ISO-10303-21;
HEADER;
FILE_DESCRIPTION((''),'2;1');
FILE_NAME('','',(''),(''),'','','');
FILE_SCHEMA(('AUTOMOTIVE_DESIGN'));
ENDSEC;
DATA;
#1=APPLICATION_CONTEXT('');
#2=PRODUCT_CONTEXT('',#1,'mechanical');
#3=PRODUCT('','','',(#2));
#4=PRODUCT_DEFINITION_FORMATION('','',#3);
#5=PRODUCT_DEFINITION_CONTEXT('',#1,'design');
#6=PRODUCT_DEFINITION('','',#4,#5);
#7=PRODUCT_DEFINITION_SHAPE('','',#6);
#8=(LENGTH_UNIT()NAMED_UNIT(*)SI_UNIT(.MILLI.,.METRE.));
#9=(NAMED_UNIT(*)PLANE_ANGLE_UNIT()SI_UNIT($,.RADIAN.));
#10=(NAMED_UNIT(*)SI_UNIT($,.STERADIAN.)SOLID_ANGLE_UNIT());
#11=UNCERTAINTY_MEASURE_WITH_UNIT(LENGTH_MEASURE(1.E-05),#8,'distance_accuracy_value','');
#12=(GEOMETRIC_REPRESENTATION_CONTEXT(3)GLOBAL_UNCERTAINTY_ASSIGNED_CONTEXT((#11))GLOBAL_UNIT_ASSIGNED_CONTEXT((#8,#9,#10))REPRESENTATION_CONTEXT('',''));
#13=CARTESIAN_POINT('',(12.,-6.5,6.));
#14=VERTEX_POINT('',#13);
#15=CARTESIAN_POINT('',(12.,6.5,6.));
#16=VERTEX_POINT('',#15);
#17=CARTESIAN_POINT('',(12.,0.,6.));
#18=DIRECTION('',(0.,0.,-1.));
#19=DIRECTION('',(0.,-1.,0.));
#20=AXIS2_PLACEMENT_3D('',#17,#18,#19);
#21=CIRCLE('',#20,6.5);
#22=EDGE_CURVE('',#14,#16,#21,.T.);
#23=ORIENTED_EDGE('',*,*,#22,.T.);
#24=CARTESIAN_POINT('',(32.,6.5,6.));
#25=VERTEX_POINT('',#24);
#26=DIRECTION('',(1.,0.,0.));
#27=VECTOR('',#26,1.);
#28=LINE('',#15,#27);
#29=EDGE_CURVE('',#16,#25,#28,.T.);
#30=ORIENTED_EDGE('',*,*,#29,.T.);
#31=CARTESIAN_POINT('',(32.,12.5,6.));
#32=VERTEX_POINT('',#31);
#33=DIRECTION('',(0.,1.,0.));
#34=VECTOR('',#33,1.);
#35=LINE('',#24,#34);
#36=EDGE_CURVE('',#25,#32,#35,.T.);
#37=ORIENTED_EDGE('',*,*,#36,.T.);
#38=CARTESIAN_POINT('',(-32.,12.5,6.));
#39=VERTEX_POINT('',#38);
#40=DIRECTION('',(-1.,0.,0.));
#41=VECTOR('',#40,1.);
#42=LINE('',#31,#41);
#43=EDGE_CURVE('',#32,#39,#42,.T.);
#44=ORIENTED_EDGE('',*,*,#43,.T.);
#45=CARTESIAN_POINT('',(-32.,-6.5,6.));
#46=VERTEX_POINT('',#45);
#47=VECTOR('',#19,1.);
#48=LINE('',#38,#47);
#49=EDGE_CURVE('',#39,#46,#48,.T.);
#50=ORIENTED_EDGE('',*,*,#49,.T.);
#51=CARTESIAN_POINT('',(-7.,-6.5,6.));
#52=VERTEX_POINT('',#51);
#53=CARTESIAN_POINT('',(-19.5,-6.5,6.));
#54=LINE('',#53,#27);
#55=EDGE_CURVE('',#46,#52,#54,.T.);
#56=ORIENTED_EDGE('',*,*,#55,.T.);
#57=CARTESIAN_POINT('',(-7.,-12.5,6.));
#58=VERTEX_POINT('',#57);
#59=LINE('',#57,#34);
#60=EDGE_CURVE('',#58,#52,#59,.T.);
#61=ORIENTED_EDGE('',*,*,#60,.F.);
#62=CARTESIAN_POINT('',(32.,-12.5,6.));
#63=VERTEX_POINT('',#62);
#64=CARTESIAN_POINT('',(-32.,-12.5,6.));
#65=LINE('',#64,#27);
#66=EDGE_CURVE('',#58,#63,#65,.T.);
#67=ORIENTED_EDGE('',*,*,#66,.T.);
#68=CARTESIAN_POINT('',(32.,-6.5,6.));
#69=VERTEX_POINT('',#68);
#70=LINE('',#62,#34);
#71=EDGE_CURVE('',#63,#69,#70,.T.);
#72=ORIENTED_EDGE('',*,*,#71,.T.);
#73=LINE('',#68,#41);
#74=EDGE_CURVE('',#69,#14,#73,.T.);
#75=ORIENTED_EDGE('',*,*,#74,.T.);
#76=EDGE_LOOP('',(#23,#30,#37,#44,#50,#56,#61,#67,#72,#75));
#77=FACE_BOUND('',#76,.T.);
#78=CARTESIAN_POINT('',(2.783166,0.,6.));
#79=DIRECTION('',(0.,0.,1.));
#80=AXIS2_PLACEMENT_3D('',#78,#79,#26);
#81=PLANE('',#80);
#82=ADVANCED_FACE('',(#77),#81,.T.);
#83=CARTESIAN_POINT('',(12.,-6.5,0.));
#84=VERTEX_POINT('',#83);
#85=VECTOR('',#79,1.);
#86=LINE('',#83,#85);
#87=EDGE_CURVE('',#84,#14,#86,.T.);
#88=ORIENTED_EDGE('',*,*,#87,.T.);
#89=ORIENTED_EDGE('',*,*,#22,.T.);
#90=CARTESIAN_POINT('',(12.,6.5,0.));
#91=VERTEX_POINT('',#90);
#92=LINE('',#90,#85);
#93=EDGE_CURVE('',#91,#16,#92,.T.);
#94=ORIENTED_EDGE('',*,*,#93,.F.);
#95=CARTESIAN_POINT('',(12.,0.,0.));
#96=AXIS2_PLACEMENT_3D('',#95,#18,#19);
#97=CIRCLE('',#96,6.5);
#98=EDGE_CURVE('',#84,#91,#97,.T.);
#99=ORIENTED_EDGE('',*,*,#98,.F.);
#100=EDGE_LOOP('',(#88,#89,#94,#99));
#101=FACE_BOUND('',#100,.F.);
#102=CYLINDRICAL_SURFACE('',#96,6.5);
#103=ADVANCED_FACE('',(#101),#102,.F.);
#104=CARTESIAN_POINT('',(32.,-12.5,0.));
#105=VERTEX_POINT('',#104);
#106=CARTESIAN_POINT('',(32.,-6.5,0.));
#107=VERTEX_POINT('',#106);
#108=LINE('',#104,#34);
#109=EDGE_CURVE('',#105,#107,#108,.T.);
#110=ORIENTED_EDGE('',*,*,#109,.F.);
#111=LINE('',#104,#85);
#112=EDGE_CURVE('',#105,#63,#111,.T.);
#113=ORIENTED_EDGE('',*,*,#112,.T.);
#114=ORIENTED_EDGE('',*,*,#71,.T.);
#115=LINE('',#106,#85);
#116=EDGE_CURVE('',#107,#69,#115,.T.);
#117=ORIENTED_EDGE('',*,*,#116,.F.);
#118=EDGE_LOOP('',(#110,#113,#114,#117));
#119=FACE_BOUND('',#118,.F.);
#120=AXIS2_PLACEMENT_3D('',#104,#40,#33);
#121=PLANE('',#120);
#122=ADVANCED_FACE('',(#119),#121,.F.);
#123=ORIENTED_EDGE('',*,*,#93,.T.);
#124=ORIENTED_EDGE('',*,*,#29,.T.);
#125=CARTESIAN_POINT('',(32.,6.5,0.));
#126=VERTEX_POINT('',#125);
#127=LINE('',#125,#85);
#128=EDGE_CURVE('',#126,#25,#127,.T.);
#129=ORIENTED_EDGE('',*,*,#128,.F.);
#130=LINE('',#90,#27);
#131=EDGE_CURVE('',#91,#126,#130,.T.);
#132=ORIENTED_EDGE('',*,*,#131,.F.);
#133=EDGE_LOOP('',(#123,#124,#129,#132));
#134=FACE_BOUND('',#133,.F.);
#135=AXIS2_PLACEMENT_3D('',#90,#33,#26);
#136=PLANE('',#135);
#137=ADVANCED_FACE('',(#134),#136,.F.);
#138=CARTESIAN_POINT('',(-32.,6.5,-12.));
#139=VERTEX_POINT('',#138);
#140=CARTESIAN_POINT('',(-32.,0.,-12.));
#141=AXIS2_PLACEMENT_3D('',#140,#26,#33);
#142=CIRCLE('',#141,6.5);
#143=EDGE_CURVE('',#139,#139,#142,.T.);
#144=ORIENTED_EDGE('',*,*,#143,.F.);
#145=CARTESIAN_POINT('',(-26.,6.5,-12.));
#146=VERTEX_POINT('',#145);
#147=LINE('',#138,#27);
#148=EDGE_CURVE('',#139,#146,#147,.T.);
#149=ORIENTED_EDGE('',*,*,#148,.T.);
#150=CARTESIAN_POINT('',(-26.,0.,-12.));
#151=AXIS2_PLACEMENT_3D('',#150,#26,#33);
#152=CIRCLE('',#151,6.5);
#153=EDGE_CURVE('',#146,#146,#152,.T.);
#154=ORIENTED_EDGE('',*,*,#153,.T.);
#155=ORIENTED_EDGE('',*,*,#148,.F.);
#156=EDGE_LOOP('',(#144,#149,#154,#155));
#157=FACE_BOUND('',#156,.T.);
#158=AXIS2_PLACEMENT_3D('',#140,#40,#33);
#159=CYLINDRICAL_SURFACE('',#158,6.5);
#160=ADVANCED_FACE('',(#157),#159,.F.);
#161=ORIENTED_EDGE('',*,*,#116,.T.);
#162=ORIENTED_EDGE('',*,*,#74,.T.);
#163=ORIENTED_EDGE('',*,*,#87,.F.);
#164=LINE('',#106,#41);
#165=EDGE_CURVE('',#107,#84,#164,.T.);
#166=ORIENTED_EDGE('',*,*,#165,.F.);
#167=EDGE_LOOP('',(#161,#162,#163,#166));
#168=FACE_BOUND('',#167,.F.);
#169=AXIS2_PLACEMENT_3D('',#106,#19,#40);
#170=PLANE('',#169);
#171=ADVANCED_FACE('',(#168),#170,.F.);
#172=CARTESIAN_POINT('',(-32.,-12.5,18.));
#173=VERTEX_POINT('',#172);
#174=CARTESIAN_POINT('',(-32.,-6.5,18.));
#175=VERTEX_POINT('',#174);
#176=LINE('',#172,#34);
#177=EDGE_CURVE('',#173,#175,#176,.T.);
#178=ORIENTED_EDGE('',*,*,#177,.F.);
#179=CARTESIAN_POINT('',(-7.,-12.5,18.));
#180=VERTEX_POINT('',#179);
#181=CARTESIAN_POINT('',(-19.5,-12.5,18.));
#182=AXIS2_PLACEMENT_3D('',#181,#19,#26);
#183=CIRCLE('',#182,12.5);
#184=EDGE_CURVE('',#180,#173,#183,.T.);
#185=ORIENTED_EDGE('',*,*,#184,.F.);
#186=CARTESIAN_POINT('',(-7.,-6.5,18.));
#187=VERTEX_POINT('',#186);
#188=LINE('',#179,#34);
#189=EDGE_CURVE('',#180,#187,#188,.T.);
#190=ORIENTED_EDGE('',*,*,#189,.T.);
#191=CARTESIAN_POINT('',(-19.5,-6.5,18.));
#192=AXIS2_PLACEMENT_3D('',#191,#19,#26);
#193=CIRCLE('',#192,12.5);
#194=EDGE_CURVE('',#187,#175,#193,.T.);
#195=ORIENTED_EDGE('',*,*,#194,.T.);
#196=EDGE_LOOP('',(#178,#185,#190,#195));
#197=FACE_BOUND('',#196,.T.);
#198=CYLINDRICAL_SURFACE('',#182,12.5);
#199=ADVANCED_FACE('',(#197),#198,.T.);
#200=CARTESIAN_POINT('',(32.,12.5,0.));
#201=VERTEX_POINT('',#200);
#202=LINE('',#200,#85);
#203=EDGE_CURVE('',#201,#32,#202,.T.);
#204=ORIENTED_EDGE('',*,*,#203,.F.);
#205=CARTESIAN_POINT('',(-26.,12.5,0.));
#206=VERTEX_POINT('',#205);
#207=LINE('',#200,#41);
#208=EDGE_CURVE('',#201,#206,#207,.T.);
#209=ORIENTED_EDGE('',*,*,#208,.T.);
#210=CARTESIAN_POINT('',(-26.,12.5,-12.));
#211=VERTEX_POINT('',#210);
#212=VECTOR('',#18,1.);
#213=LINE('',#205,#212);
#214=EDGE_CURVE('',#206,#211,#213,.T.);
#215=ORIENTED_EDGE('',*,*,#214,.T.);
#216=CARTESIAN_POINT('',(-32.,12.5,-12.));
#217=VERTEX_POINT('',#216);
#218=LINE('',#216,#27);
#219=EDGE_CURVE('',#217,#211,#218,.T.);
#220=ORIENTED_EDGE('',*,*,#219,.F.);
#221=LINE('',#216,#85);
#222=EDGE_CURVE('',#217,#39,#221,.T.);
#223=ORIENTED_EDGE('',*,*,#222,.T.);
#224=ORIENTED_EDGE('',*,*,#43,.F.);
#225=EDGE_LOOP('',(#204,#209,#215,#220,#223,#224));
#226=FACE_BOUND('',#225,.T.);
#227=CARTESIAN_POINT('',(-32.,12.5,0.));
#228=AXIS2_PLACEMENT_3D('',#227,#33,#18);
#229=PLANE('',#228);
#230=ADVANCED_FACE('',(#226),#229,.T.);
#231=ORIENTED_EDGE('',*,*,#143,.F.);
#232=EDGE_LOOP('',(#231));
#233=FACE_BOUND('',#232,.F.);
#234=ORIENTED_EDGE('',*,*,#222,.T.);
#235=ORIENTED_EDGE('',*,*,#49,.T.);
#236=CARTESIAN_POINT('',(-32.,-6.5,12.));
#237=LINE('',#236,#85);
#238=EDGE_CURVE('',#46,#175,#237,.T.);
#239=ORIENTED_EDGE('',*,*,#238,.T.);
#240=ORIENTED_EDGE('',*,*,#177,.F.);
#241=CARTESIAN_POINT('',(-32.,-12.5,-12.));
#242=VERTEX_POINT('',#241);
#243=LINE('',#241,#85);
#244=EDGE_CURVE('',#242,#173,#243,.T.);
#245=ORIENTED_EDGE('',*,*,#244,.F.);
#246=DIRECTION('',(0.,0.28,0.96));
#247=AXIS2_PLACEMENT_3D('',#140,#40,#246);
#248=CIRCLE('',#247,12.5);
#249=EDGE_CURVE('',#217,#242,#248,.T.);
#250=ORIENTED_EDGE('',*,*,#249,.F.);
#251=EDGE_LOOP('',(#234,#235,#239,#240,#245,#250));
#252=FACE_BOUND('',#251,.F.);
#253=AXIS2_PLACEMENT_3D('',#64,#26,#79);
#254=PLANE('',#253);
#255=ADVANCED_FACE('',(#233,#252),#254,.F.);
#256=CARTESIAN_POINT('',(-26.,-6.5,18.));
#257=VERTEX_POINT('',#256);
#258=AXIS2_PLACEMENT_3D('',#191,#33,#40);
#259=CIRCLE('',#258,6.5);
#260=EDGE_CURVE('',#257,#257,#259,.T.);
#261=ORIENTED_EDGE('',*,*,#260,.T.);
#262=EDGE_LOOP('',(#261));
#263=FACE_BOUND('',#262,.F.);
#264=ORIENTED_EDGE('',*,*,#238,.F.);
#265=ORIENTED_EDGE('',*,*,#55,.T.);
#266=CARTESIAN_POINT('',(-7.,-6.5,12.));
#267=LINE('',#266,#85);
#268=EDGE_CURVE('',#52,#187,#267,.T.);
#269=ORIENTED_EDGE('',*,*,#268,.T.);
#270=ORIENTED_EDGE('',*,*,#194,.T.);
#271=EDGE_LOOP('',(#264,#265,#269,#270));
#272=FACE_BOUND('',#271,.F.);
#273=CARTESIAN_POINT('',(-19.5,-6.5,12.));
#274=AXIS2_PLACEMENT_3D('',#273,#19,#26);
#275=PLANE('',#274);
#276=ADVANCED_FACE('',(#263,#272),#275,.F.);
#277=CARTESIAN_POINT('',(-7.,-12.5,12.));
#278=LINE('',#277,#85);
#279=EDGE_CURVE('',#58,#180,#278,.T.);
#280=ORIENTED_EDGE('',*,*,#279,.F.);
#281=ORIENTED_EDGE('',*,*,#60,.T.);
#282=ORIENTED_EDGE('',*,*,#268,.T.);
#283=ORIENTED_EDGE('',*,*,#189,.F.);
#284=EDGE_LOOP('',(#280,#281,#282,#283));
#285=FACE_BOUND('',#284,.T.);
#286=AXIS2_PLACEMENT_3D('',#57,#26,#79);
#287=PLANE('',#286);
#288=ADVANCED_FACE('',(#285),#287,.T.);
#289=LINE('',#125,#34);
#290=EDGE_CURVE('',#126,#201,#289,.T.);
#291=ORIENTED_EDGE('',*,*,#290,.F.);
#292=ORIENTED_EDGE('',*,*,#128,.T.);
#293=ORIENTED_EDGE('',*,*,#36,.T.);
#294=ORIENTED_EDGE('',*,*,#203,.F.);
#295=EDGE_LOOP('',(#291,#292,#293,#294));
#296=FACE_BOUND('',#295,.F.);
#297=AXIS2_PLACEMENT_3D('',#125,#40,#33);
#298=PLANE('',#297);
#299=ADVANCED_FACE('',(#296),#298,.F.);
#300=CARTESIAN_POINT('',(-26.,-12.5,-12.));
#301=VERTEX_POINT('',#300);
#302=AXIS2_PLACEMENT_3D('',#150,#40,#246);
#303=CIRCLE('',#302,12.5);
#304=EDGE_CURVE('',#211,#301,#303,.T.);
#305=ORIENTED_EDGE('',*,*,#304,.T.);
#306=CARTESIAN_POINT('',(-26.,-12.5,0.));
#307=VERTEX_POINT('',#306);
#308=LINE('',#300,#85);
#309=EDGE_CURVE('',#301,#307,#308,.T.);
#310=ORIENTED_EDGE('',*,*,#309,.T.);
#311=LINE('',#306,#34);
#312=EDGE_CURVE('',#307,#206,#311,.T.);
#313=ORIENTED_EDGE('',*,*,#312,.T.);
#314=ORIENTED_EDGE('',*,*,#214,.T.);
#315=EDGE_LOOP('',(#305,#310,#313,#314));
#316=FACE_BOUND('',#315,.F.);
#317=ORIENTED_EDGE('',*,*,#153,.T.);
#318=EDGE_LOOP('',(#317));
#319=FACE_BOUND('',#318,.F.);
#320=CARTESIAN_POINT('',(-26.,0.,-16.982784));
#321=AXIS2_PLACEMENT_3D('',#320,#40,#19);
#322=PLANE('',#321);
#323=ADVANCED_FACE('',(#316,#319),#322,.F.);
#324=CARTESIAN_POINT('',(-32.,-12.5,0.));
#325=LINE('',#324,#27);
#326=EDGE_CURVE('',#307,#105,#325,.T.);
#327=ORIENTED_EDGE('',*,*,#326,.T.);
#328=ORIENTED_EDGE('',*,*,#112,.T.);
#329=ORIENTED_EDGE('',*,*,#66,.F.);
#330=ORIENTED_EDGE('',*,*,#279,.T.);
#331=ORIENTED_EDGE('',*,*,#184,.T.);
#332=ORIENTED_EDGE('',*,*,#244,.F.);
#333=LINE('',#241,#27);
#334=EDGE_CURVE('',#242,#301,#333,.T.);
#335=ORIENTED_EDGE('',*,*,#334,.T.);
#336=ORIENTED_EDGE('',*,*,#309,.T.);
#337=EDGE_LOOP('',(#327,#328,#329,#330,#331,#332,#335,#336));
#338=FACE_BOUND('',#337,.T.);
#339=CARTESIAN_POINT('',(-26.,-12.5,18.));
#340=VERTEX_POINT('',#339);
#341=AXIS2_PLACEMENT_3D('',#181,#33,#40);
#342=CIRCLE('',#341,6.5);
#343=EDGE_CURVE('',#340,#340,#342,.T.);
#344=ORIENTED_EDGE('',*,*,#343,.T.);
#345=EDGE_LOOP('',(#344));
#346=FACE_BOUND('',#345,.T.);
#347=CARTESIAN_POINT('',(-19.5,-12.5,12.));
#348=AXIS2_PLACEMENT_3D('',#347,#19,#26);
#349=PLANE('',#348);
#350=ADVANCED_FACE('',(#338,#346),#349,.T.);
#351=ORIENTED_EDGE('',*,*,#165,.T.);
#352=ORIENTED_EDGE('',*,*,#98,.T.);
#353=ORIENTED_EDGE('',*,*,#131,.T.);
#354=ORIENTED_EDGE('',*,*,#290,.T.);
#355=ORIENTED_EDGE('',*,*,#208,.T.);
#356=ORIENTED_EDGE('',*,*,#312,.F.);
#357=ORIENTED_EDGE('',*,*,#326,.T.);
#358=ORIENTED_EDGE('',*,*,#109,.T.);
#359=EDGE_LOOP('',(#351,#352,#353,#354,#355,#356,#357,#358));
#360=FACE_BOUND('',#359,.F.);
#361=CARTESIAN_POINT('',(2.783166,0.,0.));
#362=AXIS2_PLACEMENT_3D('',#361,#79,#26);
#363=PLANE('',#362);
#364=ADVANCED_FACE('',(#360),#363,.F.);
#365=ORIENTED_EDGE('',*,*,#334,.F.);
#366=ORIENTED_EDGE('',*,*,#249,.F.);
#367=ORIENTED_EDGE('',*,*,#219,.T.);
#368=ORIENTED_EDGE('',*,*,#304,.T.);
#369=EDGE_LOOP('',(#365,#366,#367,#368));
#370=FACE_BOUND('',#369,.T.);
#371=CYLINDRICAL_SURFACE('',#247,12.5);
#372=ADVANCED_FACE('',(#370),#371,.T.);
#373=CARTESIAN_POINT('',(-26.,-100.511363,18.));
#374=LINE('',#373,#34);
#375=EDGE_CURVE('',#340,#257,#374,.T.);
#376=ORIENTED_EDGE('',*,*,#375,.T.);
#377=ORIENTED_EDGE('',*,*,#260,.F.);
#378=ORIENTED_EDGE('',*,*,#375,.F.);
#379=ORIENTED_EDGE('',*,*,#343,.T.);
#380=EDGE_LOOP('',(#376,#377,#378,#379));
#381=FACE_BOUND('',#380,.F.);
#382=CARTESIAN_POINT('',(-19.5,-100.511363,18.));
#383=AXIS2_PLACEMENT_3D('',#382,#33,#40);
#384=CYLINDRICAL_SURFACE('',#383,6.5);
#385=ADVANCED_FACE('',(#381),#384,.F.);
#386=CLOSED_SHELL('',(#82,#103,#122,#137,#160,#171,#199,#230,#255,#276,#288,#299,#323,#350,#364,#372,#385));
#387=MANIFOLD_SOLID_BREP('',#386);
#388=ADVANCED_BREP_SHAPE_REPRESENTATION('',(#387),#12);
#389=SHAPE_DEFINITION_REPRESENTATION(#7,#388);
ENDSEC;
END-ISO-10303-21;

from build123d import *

# Parameters (mm, degrees)
F1_DEPTH = 6
F3_DEPTH = 6
F4_W     = 25
F4_H     = 12
F5_DEPTH = 6
F6_D     = 13


with BuildPart() as f1:
    # F0 (on Top) → F1 (new body)
    with BuildSketch(Plane.XY):
        with BuildLine():
            Line((-32, -12.5), (32, -12.5))
            Line((32, -12.5), (32, -6.5))
            Line((32, -6.5), (12, -6.5))
            ThreePointArc((12, -6.5), (5.5, 0), (12, 6.5))
            Line((12, 6.5), (32, 6.5))
            Line((32, 6.5), (32, 12.5))
            Line((32, 12.5), (-32, 12.5))
            Line((-32, 12.5), (-32, -12.5))
        make_face()
    extrude(amount=F1_DEPTH)

    # F2 (on face) → F3 (join)
    with BuildSketch(Plane(origin=(-32, 0, 0), x_dir=(0, -1, 0), z_dir=(-1, 0, 0))):
        with BuildLine():
            ThreePointArc((-12.5, -12), (0, -24.5), (12.5, -12))
            Line((12.5, -12), (6.5, -12))
            ThreePointArc((6.5, -12), (0, -18.5), (-6.5, -12))
            Line((-6.5, -12), (-12.5, -12))
        make_face()
        with BuildLine():
            Line((6.5, -12), (12.5, -12))
            ThreePointArc((12.5, -12), (10, -4.5), (3.5, 0))
            Line((3.5, 0), (-3.5, 0))
            ThreePointArc((-3.5, 0), (-10, -4.5), (-12.5, -12))
            Line((-12.5, -12), (-6.5, -12))
            ThreePointArc((-6.5, -12), (0, -5.5), (6.5, -12))
        make_face()
        with BuildLine():
            Line((12.5, -12), (12.5, 0))
            Line((12.5, 0), (3.5, 0))
            ThreePointArc((3.5, 0), (10, -4.5), (12.5, -12))
        make_face()
        with BuildLine():
            Line((-3.5, 0), (-12.5, 0))
            Line((-12.5, 0), (-12.5, -12))
            ThreePointArc((-12.5, -12), (-10, -4.5), (-3.5, 0))
        make_face()
    extrude(amount=-F3_DEPTH)

    # F4 (on face) → F5 (join)
    with BuildSketch(Plane.XZ.offset(12.5)):
        with Locations((-19.5, 12)):
            Rectangle(F4_W, F4_H)
        with BuildLine():
            ThreePointArc((-7, 18), (-19.5, 30.5), (-32, 18))
            Line((-32, 18), (-7, 18))
        make_face()
    extrude(amount=-F5_DEPTH)

    # F6 (through all)
    with Locations(Plane.XZ.offset(12.5)):
        with Locations((-19.5, 18)):
            Hole(F6_D / 2)


solid = f1.part
